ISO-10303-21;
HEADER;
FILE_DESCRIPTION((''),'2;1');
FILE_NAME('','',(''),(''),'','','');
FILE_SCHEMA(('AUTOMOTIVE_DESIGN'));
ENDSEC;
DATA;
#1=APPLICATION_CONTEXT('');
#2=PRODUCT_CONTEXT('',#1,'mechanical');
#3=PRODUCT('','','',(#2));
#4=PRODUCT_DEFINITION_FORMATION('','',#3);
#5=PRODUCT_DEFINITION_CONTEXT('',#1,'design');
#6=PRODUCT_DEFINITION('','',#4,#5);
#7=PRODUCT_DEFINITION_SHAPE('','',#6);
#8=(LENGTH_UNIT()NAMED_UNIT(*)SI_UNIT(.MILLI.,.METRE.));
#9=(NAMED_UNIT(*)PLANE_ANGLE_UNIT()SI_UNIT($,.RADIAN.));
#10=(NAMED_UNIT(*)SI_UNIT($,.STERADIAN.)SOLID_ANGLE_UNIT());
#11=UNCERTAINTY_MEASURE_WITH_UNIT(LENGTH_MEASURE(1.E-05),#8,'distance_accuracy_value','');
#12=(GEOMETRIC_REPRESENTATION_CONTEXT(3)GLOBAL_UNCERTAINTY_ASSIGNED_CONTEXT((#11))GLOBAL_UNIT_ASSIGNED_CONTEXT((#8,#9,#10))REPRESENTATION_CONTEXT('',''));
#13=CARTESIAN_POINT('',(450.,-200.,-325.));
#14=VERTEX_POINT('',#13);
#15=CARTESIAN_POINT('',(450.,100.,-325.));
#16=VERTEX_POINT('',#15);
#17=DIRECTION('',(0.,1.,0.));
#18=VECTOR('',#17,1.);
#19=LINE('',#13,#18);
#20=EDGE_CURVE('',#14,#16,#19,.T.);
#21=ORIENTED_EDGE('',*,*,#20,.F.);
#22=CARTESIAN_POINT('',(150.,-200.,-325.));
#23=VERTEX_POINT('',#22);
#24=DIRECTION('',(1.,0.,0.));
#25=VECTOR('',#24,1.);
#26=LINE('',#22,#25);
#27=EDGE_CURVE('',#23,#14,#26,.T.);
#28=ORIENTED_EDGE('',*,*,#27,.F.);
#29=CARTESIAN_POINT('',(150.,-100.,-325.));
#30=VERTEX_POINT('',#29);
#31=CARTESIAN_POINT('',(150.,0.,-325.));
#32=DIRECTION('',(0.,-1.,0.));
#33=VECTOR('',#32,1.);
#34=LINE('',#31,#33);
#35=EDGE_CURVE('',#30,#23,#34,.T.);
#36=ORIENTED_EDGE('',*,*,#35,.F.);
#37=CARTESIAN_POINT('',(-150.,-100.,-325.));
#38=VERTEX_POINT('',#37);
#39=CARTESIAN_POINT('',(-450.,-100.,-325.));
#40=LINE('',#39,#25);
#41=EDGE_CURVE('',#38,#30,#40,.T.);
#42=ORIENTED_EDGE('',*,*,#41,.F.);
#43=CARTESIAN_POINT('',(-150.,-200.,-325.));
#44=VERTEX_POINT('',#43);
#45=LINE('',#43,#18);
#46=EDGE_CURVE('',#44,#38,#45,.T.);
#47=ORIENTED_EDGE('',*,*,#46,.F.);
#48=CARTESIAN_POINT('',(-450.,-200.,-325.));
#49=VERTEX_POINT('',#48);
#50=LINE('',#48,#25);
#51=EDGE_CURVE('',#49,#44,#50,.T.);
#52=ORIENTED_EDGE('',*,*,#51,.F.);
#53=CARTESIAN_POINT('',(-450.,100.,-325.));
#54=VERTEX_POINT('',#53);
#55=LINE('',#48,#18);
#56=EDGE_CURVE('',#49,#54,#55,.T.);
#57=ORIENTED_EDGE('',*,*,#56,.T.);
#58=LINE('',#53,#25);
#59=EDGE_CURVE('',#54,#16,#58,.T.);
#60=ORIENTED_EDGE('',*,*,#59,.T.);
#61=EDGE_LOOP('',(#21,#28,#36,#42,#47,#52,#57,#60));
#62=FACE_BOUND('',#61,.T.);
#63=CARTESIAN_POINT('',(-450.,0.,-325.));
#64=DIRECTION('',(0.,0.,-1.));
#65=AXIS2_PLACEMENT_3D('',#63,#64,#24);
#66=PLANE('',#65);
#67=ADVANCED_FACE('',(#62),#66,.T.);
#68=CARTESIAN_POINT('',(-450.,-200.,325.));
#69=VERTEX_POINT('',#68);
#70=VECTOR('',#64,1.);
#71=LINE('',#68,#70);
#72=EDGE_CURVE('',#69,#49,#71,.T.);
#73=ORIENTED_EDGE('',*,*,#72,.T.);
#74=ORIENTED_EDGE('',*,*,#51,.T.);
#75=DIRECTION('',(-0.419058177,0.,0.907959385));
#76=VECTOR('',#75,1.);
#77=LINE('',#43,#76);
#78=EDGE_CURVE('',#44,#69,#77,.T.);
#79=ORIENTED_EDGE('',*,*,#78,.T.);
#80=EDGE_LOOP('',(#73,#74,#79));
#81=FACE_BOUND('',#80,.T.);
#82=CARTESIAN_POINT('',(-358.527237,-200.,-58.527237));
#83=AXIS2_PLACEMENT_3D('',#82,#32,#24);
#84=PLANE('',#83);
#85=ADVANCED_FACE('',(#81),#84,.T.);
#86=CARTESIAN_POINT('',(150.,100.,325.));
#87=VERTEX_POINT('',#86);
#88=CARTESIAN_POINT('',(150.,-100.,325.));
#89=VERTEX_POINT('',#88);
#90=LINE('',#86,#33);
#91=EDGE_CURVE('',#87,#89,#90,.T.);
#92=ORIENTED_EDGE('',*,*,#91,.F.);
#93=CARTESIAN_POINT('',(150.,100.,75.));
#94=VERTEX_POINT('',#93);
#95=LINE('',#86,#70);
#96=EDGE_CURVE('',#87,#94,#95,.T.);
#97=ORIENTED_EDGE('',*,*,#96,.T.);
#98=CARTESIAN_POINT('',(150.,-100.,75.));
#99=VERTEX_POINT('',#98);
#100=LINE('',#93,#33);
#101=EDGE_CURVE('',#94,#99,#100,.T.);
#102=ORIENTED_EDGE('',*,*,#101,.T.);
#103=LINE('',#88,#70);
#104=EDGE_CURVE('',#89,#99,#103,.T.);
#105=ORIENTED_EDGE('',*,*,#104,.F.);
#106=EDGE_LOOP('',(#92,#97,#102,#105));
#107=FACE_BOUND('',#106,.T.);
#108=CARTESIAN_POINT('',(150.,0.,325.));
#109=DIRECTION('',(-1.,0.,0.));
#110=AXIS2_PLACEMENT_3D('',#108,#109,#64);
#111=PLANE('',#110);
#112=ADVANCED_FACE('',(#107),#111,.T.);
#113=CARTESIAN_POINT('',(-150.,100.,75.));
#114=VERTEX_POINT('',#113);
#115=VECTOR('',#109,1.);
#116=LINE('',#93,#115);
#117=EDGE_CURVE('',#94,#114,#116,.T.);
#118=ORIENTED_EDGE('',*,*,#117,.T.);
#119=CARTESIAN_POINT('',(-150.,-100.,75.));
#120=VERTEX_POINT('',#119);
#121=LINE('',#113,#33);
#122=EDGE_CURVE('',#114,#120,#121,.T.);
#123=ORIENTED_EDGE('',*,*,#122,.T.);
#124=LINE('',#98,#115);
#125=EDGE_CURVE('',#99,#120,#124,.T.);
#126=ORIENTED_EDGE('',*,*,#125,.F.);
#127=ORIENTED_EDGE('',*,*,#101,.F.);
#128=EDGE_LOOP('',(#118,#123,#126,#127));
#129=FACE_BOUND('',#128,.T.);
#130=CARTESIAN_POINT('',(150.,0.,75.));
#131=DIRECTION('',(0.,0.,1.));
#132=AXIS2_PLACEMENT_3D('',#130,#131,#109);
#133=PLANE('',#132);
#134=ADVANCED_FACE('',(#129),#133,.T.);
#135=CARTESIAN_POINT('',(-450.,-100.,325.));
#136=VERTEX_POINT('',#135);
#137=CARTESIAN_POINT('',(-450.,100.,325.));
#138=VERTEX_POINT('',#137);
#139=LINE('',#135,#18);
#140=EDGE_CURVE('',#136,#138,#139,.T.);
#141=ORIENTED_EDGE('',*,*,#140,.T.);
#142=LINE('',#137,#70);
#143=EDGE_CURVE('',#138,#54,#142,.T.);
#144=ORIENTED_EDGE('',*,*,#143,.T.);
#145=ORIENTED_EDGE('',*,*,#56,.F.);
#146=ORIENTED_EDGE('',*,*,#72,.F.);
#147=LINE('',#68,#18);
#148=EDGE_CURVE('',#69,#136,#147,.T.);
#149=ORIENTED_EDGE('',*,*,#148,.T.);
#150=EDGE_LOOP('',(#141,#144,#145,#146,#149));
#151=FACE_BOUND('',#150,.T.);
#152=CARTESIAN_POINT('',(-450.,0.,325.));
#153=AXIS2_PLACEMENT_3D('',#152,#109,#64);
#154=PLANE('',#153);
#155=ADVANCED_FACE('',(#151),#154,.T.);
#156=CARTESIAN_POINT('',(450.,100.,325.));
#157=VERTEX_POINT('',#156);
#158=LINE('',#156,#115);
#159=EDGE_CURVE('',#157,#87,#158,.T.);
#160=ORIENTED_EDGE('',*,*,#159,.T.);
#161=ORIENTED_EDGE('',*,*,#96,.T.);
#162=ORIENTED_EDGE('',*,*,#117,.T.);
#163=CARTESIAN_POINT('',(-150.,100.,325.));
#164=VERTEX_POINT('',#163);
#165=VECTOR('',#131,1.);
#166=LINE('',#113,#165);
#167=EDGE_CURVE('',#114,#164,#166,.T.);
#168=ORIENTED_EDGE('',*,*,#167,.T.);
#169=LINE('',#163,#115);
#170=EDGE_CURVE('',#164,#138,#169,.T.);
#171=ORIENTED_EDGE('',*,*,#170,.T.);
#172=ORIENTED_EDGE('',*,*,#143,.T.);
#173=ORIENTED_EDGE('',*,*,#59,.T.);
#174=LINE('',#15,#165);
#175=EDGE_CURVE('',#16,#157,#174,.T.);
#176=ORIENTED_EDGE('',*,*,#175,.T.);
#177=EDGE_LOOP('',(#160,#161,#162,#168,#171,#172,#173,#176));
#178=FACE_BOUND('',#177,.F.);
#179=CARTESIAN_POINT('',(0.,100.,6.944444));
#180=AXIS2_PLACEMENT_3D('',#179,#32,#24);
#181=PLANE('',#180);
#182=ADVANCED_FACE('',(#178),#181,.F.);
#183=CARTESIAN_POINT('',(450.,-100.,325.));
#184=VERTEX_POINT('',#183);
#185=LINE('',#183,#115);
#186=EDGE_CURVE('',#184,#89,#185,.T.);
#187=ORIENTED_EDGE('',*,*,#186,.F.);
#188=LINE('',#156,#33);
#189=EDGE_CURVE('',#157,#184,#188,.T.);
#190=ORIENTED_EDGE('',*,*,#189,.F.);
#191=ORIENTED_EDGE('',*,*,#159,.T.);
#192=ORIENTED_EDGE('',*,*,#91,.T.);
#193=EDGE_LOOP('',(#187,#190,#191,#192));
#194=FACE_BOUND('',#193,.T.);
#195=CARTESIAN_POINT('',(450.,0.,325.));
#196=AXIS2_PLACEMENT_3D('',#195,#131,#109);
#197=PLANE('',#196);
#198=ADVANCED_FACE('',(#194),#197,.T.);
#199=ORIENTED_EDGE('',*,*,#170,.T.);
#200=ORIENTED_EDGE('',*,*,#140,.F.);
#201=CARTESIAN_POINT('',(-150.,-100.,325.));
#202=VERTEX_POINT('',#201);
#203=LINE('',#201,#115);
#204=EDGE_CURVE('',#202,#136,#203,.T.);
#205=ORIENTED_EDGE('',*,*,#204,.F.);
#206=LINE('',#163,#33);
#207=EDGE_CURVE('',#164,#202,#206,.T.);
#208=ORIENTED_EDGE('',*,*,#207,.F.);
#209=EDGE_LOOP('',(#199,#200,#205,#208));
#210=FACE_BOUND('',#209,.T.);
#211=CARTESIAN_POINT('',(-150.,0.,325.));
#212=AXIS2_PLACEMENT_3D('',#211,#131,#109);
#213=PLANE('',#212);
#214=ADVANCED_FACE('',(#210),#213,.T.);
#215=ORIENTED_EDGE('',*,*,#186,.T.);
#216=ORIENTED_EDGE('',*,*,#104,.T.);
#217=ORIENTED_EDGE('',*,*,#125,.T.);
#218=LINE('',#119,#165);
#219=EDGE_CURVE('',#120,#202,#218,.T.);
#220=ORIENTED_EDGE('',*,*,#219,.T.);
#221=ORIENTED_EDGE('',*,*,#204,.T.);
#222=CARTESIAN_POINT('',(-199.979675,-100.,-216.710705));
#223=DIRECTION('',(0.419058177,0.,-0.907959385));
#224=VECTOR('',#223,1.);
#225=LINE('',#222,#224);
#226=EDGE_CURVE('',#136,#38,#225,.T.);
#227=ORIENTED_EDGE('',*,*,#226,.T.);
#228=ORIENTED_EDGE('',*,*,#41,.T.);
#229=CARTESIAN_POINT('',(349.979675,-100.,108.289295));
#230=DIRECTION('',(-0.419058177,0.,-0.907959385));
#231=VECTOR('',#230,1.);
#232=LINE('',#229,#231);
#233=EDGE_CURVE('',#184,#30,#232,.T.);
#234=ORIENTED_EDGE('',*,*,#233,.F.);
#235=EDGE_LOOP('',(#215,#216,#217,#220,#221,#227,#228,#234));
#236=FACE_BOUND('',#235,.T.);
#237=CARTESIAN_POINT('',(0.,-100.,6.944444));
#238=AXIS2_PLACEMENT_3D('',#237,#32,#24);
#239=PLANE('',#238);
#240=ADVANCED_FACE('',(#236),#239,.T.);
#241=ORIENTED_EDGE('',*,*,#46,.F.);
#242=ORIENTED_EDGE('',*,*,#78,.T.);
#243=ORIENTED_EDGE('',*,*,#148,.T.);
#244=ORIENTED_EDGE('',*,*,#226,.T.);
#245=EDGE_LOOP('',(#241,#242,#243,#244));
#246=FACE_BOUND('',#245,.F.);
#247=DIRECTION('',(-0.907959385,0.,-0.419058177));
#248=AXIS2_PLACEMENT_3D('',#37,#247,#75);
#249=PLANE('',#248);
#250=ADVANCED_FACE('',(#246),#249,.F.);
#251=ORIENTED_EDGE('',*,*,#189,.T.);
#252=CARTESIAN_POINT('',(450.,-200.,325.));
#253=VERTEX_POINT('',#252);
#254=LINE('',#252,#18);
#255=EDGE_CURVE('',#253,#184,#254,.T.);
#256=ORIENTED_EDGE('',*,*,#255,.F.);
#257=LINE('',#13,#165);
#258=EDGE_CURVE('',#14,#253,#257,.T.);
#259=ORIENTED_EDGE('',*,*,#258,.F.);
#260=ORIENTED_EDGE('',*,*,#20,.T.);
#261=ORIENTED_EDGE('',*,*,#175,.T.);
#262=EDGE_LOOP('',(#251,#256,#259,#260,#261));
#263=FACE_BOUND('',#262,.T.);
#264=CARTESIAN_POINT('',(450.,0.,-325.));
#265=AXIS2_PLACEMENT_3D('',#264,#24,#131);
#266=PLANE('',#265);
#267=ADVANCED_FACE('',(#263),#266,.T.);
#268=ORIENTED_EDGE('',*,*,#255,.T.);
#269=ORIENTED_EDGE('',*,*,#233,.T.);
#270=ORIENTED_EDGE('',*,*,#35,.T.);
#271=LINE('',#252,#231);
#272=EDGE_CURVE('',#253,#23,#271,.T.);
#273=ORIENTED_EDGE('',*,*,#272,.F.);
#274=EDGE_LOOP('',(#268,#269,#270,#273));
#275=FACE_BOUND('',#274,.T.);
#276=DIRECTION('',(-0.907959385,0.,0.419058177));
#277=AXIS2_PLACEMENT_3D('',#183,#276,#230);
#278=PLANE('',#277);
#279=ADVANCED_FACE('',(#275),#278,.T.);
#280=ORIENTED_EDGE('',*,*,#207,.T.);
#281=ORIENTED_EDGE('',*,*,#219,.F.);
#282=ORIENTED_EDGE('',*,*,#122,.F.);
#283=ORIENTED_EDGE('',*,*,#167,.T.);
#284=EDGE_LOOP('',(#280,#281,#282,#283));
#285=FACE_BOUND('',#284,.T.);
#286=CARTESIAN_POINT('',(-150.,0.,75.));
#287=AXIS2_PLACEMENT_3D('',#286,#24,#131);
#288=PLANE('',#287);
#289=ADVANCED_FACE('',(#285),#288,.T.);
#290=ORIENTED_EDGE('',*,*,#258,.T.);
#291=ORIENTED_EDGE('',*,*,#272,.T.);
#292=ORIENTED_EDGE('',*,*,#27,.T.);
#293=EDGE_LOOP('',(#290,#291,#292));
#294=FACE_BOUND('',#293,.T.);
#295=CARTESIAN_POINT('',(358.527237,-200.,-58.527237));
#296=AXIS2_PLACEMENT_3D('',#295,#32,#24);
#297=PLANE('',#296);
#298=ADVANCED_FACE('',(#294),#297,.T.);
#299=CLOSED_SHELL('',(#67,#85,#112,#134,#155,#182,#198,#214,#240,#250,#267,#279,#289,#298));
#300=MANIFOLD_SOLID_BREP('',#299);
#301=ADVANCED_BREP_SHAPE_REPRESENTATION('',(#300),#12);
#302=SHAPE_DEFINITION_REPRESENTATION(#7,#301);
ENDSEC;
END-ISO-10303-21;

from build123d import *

# Parameters (mm, degrees)
F1_DEPTH = 100
F3_DEPTH = 100


with BuildPart() as f1:
    # F0 (on Front) → F1 (new body, symmetric)
    with BuildSketch(Plane.XZ):
        Polygon((450, -325), (450, 325), (150, 325), (150, 75), (-150, 75), (-150, 325), (-450, 325), (-450, -325), align=None)
    extrude(amount=F1_DEPTH, both=True)

    # F2 (on face) → F3 (join, symmetric)
    with BuildSketch(Plane.XZ.offset(100)):
        Polygon((-450, 325), (-450, -325), (-150, -325), align=None)
        Polygon((450, 325), (150, -325), (450, -325), align=None)
    extrude(amount=F3_DEPTH, both=True)


solid = f1.part
